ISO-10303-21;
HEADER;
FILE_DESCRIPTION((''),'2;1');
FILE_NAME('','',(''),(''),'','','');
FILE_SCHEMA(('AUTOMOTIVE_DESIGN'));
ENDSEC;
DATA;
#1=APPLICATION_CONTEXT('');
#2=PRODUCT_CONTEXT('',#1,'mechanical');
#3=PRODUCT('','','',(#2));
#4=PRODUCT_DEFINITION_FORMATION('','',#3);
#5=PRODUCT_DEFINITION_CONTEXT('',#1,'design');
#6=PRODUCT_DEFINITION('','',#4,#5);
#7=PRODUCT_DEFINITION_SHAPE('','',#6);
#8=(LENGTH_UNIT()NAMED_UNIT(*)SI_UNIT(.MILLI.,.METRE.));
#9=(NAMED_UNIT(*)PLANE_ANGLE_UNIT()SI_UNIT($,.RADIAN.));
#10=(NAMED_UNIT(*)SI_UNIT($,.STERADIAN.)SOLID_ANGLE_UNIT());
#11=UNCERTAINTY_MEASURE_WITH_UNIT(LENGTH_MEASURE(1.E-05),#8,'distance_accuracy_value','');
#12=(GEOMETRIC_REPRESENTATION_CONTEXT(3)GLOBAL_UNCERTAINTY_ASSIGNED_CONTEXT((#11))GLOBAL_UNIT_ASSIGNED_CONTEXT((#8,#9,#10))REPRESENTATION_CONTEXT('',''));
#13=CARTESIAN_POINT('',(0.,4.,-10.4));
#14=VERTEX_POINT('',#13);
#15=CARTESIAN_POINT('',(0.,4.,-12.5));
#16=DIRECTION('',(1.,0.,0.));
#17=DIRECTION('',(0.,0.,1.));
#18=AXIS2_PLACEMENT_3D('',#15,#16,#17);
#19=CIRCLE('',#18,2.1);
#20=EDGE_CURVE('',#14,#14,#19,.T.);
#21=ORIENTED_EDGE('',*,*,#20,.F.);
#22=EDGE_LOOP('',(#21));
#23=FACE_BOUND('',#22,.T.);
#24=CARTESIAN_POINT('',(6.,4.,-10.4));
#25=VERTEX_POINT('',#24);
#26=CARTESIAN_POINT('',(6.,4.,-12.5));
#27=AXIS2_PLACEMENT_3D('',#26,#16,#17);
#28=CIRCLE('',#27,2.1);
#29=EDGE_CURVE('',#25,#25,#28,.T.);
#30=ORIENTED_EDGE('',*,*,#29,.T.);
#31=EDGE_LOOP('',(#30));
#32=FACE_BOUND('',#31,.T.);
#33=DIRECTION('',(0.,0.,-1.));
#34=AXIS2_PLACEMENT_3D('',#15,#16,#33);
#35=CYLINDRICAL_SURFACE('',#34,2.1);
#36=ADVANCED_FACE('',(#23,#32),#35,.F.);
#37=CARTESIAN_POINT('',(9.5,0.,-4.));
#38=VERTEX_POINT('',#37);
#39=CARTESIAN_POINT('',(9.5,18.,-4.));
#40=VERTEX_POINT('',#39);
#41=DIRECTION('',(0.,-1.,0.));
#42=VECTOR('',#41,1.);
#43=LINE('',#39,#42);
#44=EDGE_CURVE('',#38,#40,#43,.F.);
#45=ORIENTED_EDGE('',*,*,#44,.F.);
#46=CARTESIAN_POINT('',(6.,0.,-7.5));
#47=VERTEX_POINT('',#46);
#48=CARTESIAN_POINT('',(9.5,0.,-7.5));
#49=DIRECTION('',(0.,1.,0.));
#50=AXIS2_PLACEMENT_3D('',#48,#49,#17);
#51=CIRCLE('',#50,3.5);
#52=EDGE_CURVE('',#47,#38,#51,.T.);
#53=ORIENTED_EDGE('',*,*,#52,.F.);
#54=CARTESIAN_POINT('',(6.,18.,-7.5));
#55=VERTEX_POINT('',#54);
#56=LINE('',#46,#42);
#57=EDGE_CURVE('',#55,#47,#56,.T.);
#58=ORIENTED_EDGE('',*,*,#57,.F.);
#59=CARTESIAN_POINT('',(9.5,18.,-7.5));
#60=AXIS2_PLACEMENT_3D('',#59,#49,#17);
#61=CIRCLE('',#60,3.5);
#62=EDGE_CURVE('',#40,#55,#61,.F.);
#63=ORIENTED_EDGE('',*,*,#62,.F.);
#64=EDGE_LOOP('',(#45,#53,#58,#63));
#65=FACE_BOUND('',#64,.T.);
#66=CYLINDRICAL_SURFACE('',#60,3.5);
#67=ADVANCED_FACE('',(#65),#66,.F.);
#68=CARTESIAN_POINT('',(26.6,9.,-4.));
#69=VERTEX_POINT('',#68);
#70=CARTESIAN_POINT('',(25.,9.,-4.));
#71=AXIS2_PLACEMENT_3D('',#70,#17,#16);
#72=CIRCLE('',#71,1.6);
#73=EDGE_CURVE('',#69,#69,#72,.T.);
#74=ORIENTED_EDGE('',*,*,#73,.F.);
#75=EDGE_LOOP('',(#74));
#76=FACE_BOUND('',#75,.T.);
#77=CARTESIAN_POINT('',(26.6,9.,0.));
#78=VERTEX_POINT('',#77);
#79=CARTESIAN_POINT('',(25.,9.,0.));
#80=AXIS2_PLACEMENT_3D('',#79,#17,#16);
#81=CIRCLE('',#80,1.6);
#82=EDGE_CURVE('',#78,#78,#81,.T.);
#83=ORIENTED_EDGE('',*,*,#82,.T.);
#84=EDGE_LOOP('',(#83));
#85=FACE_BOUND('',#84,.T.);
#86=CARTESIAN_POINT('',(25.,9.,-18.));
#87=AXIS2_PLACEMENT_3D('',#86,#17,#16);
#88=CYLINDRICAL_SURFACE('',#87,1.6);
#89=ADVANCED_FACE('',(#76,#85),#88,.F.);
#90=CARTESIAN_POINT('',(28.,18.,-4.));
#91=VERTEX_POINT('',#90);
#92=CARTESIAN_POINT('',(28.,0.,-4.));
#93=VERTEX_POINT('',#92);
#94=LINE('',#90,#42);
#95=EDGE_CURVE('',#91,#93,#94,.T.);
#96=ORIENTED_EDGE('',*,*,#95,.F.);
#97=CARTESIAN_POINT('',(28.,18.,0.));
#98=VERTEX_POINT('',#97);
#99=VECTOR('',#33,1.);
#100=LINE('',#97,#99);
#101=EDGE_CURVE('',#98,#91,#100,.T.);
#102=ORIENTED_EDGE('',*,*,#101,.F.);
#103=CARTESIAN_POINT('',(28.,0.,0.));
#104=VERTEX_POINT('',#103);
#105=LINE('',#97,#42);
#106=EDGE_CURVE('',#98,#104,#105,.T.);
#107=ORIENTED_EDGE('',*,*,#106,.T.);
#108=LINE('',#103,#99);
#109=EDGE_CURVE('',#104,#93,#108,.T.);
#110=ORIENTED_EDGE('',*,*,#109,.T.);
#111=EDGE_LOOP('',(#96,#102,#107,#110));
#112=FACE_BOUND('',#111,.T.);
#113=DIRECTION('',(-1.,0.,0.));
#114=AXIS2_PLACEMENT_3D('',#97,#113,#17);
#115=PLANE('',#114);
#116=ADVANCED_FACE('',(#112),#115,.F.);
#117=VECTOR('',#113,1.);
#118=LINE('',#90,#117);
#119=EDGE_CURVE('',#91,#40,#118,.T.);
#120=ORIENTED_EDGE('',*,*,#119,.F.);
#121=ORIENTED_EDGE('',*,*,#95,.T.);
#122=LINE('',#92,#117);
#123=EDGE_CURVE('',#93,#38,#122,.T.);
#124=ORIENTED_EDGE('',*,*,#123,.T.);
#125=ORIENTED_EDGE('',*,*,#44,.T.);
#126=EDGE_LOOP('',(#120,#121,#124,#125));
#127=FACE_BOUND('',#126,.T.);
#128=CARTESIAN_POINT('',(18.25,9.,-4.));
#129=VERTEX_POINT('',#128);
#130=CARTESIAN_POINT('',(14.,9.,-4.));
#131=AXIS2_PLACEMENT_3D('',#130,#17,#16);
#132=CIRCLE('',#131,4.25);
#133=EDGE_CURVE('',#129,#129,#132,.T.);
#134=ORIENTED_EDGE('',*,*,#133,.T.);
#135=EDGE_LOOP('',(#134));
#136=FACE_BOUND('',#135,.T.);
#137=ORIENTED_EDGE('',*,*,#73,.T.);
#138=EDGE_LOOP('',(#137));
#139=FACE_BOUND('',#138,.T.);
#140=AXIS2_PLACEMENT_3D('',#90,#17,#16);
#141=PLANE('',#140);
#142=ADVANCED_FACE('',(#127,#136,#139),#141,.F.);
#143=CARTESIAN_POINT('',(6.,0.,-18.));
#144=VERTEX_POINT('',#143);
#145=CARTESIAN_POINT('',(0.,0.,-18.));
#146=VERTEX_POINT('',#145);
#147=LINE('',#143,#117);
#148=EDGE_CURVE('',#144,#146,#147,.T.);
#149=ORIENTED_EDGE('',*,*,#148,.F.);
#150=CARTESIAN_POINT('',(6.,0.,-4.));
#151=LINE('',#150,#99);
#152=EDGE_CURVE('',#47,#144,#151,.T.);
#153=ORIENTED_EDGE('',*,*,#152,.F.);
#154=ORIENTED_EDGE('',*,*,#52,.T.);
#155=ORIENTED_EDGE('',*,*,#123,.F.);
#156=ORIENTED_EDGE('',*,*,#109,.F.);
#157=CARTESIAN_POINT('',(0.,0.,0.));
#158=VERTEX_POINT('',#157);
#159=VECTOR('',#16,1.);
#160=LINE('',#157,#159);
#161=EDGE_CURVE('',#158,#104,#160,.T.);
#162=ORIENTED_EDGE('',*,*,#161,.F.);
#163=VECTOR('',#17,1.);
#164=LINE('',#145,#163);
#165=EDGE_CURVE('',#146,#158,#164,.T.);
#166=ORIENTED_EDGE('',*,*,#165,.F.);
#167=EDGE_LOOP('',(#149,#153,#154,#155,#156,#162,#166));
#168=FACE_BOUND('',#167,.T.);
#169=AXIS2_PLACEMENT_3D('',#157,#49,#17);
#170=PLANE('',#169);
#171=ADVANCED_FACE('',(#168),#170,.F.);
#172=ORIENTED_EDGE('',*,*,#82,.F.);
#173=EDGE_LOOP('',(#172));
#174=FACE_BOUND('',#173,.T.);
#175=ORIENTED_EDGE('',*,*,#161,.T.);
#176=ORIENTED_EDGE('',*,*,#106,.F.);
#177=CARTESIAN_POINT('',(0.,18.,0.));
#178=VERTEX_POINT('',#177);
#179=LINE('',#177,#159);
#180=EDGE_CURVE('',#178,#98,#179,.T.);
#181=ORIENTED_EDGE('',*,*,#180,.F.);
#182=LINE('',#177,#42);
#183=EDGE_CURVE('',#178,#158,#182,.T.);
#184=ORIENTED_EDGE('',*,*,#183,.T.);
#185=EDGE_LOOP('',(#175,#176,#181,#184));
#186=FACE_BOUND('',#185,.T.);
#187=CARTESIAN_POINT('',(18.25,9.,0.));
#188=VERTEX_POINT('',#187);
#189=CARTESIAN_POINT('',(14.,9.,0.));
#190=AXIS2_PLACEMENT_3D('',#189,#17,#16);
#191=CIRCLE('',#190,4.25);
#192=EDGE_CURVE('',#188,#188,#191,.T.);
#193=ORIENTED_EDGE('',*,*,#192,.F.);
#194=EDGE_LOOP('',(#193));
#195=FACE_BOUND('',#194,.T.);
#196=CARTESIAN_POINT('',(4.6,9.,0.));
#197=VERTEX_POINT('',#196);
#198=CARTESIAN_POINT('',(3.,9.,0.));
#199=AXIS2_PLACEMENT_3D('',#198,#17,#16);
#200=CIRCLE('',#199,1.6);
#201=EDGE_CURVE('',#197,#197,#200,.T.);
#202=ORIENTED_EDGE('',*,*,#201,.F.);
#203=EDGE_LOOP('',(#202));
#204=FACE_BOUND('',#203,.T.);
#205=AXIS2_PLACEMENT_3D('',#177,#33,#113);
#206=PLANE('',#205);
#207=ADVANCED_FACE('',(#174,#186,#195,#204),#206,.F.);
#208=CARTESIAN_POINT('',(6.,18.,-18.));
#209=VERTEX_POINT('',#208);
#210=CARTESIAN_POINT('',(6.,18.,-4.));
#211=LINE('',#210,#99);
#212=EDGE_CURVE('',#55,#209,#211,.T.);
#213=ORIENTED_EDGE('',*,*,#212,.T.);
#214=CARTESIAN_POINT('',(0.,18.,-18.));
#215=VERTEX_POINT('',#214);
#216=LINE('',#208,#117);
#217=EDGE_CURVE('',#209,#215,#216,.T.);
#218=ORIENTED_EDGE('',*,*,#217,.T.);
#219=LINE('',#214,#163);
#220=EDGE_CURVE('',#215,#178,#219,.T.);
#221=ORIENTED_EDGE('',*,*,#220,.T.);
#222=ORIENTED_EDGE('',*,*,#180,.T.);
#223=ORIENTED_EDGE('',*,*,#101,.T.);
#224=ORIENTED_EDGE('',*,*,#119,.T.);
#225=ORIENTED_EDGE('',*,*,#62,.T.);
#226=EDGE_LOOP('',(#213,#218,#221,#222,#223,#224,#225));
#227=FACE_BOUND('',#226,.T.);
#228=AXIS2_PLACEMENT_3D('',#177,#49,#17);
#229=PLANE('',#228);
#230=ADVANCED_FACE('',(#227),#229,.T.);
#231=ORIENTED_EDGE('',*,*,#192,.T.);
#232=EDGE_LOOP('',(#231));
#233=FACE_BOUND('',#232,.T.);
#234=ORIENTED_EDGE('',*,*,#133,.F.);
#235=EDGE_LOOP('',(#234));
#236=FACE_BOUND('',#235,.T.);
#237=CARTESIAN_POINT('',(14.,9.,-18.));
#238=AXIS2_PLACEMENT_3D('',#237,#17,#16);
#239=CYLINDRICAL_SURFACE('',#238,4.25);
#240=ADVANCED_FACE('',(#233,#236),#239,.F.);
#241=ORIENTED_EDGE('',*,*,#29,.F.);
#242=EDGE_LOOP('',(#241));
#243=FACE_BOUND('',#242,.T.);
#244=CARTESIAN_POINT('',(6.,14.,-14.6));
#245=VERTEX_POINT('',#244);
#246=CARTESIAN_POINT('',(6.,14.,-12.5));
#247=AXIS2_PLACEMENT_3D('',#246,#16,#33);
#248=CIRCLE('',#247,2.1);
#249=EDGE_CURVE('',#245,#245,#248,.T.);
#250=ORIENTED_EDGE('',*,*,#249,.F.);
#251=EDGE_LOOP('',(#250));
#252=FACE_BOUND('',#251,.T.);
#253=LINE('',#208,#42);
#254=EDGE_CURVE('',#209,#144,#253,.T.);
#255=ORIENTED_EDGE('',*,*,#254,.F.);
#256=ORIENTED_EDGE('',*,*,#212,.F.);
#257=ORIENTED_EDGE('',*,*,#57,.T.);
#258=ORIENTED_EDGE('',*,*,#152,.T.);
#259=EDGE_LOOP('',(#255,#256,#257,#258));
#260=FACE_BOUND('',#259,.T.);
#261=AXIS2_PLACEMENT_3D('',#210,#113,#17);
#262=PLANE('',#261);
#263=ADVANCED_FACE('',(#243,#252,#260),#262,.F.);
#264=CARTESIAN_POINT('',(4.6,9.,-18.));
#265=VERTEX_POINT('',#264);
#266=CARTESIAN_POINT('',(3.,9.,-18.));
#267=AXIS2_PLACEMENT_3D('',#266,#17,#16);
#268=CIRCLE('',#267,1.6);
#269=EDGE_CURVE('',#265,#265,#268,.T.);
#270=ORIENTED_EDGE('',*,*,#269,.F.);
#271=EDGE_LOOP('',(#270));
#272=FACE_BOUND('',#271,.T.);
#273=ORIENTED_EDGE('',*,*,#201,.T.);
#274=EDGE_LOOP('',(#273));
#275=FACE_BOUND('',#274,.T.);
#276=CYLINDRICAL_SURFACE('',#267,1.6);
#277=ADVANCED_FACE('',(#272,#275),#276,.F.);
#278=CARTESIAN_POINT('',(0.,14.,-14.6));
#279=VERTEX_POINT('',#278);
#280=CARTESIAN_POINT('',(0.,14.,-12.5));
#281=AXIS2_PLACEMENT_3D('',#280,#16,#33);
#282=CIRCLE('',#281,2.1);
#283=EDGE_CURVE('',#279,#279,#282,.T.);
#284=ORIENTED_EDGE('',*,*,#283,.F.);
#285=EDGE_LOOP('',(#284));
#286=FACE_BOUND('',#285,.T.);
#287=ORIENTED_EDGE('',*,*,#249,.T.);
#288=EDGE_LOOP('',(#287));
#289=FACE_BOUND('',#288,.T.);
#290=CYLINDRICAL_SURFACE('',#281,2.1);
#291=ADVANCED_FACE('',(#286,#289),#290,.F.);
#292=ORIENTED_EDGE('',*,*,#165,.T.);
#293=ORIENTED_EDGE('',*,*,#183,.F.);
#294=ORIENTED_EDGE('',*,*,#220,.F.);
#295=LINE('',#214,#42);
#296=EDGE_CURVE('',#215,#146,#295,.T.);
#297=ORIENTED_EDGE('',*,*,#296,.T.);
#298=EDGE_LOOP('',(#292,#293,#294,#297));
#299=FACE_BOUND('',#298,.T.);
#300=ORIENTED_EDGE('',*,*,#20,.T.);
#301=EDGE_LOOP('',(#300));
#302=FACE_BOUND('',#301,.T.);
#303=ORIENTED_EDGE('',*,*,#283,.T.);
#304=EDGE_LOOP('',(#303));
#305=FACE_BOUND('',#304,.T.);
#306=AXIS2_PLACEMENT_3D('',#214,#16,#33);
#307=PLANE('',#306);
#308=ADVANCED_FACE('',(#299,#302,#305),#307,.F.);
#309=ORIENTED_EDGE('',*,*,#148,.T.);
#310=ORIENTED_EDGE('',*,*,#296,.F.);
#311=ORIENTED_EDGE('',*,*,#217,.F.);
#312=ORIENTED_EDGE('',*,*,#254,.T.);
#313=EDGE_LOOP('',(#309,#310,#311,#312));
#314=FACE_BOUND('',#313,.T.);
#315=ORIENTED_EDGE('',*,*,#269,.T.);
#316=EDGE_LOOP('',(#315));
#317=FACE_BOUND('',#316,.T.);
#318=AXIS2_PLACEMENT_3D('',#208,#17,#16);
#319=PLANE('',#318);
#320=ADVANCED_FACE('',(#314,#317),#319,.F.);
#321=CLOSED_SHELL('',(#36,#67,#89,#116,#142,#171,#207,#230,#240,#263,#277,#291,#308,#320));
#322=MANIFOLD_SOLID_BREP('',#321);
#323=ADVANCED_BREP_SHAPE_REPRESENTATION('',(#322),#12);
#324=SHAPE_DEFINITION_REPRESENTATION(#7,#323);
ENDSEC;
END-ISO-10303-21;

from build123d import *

# Parameters (mm, degrees)
BOSS_EXTRUDE1_DEPTH = 18
SKETCH4_R           = 1.6
CUT_EXTRUDE2_DEPTH  = 38.841775857
FILLET1_R           = 3.5
SKETCH7_R           = 2.1
CUT_EXTRUDE5_DEPTH  = 6
SKETCH8_R           = 4.25
CUT_EXTRUDE6_DEPTH  = 38.841775857


with BuildPart() as part:
    # Sketch1 → Boss-Extrude1 (new body)
    with BuildSketch(Plane(origin=(0, 0, 0), x_dir=(1, 0, 0), z_dir=(0, 1, 0))):
        Polygon((0, 18), (0, 0), (28, 0), (28, 4), (6, 4), (6, 18), align=None)
    extrude(amount=BOSS_EXTRUDE1_DEPTH)

    # Sketch4 → Cut-Extrude2 (cut, through all)
    with BuildSketch(Plane.XY):
        with Locations((25, 9)):
            Circle(SKETCH4_R)
        with Locations((3, 9)):
            Circle(SKETCH4_R)
    extrude(amount=-CUT_EXTRUDE2_DEPTH, mode=Mode.SUBTRACT)

    # Fillet1
    fillet1_edges = [part.edges().sort_by_distance(p)[0] for p in [
        (6, 9, -4),
    ]]
    fillet(fillet1_edges, radius=FILLET1_R)

    # Sketch7 → Cut-Extrude5 (cut)
    with BuildSketch(Plane(origin=(6, 0, 0), x_dir=(0, 0, -1), z_dir=(1, 0, 0))):
        with Locations((12.5, 14)):
            Circle(SKETCH7_R)
        with Locations(Location((12.5, 4, 0), (0, 0, 180))):
            Circle(SKETCH7_R)
    extrude(amount=-CUT_EXTRUDE5_DEPTH, mode=Mode.SUBTRACT)

    # Sketch8 → Cut-Extrude6 (cut, through all)
    with BuildSketch(Plane.XY):
        with Locations((14, 9)):
            Circle(SKETCH8_R)
    extrude(amount=-CUT_EXTRUDE6_DEPTH, mode=Mode.SUBTRACT)


solid = part.part
